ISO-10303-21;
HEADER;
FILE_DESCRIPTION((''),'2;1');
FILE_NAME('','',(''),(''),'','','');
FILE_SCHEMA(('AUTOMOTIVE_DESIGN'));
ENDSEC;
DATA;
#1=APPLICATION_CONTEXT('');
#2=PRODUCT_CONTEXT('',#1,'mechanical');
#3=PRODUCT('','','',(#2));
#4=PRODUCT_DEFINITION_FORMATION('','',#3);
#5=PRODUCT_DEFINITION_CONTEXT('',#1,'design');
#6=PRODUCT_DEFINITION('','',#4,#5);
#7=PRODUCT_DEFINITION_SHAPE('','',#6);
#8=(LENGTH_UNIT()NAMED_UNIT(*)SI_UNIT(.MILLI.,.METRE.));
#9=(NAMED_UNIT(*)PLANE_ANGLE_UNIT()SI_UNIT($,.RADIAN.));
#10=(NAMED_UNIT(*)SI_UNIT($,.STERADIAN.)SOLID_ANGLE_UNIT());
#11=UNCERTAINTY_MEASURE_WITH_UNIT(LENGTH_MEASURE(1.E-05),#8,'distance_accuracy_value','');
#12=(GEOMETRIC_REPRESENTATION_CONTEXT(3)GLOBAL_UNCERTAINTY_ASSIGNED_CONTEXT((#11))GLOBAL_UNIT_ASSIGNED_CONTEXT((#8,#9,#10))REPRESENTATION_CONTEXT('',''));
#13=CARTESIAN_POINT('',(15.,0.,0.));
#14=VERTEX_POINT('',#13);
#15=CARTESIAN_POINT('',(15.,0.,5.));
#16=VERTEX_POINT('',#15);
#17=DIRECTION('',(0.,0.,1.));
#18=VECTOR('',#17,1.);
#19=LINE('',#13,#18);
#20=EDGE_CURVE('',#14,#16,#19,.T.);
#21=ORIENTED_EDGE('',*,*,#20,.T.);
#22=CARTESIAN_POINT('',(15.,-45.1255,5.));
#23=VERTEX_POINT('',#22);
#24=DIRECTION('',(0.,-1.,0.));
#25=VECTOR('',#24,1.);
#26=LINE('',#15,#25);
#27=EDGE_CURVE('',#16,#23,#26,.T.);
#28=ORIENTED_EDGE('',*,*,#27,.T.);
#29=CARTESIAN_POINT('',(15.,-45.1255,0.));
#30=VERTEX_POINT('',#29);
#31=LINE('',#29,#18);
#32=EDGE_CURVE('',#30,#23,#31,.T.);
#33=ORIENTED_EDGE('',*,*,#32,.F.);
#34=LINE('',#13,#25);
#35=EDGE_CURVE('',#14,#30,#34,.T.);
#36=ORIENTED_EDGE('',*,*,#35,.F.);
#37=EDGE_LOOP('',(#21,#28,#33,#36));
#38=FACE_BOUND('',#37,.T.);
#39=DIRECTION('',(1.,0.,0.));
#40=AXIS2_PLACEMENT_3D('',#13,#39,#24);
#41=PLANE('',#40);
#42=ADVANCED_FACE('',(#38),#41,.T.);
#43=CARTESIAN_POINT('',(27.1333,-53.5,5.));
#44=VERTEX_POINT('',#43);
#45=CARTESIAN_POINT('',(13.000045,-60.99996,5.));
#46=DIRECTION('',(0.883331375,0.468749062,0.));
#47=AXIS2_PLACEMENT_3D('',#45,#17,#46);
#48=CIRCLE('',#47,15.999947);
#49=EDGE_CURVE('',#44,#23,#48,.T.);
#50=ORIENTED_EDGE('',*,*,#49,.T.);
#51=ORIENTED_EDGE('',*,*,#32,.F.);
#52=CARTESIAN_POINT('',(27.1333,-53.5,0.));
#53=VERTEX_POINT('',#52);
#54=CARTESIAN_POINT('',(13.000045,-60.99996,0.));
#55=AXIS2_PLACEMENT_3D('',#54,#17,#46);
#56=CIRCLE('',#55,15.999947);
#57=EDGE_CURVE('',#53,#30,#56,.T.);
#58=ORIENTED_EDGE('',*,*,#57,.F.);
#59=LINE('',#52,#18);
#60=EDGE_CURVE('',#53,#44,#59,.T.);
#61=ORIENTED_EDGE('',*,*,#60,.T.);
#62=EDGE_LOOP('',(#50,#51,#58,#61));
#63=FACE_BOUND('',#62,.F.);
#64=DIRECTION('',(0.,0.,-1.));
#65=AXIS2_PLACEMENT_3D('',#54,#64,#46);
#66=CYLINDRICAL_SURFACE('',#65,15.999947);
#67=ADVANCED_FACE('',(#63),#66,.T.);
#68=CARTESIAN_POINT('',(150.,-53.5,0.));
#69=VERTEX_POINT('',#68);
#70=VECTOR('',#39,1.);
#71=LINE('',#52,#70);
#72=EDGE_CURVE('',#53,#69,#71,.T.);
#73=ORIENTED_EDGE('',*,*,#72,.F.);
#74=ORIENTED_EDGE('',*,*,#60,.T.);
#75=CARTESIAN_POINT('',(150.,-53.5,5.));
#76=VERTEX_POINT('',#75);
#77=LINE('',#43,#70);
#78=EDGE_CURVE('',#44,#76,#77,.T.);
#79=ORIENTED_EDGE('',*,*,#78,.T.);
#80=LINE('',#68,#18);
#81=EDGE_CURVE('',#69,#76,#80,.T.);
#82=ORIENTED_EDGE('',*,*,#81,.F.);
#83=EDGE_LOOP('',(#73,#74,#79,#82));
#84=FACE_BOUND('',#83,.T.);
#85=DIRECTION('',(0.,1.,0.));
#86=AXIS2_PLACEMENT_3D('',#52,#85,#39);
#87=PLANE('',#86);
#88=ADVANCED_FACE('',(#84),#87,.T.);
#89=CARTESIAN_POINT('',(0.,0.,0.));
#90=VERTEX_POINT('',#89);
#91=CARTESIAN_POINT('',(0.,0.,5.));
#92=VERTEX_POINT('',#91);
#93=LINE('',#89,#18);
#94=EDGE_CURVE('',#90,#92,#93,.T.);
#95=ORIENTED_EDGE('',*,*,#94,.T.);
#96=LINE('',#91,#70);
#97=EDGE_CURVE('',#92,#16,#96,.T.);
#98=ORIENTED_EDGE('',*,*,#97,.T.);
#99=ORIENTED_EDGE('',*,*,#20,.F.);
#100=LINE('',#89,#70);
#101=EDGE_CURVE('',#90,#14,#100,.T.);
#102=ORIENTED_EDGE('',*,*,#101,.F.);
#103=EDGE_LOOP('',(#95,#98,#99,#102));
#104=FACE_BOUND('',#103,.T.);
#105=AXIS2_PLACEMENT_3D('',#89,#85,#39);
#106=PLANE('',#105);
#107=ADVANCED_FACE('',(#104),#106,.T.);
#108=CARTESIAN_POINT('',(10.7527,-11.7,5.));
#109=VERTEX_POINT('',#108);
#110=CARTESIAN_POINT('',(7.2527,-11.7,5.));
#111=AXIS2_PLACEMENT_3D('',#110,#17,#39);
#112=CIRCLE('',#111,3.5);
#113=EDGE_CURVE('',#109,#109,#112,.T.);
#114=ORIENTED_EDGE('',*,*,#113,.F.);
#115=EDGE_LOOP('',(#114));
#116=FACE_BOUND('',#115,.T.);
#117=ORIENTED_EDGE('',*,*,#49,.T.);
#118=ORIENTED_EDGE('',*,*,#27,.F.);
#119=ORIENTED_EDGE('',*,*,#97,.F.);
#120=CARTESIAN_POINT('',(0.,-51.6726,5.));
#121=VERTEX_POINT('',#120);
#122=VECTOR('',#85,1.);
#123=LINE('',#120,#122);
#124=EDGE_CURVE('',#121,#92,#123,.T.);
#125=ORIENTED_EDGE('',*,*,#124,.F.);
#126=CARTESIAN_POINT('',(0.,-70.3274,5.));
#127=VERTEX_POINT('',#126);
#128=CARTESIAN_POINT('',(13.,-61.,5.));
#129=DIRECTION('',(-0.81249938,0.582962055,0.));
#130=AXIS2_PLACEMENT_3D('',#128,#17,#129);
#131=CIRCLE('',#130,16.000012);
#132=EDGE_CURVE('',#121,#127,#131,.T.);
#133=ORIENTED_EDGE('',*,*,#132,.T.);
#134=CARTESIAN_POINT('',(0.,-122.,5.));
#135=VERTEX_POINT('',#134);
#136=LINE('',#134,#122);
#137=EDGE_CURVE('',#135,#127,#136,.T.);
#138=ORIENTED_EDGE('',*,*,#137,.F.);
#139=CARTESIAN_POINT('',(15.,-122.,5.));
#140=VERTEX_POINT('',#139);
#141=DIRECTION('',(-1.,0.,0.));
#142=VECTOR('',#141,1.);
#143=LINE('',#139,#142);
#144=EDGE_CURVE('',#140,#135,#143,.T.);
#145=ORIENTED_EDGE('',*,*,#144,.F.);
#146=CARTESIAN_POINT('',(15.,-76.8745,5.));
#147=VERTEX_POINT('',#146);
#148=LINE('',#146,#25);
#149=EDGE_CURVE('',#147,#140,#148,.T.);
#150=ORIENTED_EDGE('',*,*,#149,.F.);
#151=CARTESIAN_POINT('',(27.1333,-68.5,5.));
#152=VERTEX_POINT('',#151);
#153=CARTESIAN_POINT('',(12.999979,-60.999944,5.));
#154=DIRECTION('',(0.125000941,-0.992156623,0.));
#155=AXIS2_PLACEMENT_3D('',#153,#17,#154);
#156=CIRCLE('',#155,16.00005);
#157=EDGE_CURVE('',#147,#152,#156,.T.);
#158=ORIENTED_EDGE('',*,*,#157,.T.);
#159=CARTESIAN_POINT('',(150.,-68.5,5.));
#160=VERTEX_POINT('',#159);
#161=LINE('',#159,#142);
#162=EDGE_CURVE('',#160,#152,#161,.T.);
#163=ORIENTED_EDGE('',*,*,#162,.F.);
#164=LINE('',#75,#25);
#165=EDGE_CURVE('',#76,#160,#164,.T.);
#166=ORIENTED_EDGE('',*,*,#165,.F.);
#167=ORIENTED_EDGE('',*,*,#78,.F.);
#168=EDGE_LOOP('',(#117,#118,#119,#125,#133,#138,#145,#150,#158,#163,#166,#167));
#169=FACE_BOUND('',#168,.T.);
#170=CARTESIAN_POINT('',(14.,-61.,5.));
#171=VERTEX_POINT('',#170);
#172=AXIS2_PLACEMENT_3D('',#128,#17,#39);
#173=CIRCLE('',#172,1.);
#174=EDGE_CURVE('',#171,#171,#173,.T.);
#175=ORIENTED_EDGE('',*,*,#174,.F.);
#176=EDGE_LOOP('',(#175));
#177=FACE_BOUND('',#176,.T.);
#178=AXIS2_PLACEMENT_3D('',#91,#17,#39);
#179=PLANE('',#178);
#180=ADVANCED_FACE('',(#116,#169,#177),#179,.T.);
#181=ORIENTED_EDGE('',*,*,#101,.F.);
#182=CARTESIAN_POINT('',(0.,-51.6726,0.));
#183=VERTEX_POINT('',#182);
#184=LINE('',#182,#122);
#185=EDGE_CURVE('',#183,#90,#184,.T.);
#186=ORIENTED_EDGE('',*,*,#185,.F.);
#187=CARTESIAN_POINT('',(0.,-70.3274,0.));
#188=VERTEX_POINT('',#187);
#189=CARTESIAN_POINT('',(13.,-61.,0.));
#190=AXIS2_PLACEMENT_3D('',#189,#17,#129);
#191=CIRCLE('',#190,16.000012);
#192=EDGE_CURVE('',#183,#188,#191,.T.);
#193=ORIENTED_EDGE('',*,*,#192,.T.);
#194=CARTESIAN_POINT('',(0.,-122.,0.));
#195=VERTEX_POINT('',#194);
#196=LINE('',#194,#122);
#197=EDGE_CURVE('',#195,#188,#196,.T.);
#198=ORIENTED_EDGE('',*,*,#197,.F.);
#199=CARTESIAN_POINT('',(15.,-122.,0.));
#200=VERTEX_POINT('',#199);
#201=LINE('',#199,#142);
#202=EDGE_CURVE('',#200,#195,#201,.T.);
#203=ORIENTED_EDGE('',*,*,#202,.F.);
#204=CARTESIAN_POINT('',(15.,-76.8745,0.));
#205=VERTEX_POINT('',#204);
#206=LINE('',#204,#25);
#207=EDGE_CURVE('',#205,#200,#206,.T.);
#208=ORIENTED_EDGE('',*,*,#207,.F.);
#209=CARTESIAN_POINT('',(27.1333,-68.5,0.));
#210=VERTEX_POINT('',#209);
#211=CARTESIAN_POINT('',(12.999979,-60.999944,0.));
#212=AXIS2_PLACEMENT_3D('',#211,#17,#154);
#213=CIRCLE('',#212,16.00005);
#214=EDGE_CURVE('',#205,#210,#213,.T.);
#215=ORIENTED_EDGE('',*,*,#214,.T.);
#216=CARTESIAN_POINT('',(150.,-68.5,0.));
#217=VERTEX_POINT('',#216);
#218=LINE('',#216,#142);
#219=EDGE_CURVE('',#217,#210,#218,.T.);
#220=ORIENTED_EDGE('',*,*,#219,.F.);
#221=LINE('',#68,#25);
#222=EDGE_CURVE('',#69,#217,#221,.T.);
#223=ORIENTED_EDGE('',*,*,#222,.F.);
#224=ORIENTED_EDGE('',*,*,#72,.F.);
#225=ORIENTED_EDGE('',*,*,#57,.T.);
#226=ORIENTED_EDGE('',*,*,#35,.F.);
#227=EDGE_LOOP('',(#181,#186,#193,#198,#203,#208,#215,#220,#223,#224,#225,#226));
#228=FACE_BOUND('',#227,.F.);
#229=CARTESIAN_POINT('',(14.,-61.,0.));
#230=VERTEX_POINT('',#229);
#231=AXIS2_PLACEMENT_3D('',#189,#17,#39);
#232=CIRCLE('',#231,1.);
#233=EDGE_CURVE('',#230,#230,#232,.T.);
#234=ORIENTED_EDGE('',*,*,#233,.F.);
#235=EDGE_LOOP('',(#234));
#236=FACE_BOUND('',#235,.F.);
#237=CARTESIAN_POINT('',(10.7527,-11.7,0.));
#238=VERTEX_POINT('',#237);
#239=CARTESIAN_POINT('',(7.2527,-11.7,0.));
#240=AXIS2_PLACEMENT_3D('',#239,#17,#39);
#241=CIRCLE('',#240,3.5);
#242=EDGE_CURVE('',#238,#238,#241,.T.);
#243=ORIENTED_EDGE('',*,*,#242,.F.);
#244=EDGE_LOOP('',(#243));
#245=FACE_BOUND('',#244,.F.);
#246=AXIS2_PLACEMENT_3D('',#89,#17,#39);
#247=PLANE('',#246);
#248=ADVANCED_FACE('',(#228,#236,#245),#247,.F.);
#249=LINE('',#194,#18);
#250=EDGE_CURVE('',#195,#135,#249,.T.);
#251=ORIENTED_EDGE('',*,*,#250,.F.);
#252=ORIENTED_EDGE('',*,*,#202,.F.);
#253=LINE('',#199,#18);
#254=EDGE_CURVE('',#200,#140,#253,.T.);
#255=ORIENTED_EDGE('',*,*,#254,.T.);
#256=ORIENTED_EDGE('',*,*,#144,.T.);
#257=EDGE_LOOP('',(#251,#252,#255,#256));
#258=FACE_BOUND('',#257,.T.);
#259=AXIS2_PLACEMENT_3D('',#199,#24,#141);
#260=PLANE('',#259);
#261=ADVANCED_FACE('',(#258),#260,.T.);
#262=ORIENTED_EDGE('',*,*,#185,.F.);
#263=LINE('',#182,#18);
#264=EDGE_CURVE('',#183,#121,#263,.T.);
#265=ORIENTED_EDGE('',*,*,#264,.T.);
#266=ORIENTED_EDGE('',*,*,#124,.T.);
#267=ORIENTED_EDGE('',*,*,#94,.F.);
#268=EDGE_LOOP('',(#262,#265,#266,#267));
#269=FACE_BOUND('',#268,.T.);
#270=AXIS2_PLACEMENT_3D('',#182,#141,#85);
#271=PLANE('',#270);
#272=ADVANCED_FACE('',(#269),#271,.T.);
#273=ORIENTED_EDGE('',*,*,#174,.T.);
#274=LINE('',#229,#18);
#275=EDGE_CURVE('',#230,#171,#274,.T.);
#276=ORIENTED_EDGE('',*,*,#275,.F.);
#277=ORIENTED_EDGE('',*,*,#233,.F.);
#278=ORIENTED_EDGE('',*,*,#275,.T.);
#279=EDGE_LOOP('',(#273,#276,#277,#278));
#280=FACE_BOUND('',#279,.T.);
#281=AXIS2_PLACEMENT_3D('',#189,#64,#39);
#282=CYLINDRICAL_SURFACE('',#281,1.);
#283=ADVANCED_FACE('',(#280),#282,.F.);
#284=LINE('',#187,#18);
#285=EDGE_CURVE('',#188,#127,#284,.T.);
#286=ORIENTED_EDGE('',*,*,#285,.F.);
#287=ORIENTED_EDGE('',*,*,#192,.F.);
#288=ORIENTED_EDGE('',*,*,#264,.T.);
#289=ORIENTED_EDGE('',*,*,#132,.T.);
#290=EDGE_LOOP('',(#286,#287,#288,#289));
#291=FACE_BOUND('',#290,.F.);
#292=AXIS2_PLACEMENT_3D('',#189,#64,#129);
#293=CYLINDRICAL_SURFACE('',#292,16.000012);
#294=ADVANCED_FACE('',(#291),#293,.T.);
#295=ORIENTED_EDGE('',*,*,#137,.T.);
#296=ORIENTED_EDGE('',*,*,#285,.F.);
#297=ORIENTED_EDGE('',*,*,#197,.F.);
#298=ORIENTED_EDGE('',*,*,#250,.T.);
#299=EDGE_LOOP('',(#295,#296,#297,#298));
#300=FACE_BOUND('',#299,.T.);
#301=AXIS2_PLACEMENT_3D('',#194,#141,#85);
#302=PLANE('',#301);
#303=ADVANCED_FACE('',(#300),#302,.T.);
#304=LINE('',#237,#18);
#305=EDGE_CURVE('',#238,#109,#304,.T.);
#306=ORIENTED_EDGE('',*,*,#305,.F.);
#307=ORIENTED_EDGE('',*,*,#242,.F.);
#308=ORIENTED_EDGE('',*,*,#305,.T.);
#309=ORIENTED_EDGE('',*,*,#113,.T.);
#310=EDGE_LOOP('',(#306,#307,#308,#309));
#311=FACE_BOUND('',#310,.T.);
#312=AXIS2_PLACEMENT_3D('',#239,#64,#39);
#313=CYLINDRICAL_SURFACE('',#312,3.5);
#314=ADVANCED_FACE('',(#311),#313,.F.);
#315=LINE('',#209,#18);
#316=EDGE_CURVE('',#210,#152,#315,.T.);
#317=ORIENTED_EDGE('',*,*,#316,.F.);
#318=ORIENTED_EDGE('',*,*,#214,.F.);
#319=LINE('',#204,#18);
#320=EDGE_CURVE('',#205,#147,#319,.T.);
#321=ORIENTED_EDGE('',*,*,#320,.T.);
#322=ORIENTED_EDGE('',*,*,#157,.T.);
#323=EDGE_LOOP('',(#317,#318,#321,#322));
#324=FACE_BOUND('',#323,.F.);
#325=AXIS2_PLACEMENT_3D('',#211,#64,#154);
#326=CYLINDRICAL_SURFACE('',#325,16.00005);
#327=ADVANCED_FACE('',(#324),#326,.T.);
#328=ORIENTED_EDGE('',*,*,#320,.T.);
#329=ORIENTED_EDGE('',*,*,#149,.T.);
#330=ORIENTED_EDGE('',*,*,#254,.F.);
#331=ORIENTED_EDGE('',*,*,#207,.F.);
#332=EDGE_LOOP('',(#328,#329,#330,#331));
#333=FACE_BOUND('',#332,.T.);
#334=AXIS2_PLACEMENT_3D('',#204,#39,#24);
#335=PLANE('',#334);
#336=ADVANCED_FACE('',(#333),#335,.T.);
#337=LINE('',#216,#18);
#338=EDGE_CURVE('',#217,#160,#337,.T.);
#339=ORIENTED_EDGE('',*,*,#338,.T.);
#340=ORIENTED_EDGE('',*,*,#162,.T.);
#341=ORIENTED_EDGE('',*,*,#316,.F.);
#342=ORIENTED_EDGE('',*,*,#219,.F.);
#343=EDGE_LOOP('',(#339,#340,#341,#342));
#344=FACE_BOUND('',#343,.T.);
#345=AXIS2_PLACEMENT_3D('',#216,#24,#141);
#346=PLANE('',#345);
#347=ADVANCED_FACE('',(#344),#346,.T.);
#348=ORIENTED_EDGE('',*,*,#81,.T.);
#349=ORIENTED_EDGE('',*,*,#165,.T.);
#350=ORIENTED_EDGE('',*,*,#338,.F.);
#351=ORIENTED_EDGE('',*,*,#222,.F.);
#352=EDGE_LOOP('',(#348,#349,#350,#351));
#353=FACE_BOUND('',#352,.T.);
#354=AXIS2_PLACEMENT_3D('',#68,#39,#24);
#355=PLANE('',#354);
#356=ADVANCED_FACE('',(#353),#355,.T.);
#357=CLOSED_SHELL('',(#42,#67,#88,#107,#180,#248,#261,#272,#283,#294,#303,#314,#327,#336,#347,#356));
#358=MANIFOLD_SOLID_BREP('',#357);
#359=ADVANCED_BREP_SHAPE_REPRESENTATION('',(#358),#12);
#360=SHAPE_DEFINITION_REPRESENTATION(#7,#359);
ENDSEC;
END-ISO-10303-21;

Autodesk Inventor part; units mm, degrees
ref_plane "YZ Plane" through (0, 0, 0) normal (1, 0, 0) x (0, 1, 0)
ref_plane "XZ Plane" through (0, 0, 0) normal (0, 1, 0) x (-1, 0, 0)
ref_plane "XY Plane" through (0, 0, 0) normal (0, 0, 1) x (1, 0, 0)
sketch "Boceto1" plane through (0, 0, 0) normal (0, 0, 1) x (1, 0, 0)
  line L0 (0, -51.6726) -> (0, 0)
  line L1 (0, 0) -> (15, 0)
  line L2 (15, 0) -> (15, -45.1255)
  circle A0 centre (7.2527, -11.7) radius 3.5
  arc A1 (0, -51.6726) -> (0, -70.3274) centre (13, -61) ccw
  line L3 (27.1333, -53.5) -> (150, -53.5)
  line L4 (150, -53.5) -> (150, -68.5)
  line L5 (150, -68.5) -> (27.1333, -68.5)
  line L6 (15, -76.8745) -> (15, -122)
  line L7 (15, -122) -> (0, -122)
  line L8 (0, -122) -> (0, -70.3274)
  arc A2 (15, -76.8745) -> (27.1333, -68.5) centre (13, -61) ccw
  arc A3 (27.1333, -53.5) -> (15, -45.1255) centre (13, -61) ccw
  circle A4 centre (13, -61) radius 1
  point P0 (0, -70.3274)
  point P1 (15, -76.8745)
  dimension "d0" = 2
extrude "Extrusión1" add sketch "Boceto1" along normal blind 5
properties part number "P3"
